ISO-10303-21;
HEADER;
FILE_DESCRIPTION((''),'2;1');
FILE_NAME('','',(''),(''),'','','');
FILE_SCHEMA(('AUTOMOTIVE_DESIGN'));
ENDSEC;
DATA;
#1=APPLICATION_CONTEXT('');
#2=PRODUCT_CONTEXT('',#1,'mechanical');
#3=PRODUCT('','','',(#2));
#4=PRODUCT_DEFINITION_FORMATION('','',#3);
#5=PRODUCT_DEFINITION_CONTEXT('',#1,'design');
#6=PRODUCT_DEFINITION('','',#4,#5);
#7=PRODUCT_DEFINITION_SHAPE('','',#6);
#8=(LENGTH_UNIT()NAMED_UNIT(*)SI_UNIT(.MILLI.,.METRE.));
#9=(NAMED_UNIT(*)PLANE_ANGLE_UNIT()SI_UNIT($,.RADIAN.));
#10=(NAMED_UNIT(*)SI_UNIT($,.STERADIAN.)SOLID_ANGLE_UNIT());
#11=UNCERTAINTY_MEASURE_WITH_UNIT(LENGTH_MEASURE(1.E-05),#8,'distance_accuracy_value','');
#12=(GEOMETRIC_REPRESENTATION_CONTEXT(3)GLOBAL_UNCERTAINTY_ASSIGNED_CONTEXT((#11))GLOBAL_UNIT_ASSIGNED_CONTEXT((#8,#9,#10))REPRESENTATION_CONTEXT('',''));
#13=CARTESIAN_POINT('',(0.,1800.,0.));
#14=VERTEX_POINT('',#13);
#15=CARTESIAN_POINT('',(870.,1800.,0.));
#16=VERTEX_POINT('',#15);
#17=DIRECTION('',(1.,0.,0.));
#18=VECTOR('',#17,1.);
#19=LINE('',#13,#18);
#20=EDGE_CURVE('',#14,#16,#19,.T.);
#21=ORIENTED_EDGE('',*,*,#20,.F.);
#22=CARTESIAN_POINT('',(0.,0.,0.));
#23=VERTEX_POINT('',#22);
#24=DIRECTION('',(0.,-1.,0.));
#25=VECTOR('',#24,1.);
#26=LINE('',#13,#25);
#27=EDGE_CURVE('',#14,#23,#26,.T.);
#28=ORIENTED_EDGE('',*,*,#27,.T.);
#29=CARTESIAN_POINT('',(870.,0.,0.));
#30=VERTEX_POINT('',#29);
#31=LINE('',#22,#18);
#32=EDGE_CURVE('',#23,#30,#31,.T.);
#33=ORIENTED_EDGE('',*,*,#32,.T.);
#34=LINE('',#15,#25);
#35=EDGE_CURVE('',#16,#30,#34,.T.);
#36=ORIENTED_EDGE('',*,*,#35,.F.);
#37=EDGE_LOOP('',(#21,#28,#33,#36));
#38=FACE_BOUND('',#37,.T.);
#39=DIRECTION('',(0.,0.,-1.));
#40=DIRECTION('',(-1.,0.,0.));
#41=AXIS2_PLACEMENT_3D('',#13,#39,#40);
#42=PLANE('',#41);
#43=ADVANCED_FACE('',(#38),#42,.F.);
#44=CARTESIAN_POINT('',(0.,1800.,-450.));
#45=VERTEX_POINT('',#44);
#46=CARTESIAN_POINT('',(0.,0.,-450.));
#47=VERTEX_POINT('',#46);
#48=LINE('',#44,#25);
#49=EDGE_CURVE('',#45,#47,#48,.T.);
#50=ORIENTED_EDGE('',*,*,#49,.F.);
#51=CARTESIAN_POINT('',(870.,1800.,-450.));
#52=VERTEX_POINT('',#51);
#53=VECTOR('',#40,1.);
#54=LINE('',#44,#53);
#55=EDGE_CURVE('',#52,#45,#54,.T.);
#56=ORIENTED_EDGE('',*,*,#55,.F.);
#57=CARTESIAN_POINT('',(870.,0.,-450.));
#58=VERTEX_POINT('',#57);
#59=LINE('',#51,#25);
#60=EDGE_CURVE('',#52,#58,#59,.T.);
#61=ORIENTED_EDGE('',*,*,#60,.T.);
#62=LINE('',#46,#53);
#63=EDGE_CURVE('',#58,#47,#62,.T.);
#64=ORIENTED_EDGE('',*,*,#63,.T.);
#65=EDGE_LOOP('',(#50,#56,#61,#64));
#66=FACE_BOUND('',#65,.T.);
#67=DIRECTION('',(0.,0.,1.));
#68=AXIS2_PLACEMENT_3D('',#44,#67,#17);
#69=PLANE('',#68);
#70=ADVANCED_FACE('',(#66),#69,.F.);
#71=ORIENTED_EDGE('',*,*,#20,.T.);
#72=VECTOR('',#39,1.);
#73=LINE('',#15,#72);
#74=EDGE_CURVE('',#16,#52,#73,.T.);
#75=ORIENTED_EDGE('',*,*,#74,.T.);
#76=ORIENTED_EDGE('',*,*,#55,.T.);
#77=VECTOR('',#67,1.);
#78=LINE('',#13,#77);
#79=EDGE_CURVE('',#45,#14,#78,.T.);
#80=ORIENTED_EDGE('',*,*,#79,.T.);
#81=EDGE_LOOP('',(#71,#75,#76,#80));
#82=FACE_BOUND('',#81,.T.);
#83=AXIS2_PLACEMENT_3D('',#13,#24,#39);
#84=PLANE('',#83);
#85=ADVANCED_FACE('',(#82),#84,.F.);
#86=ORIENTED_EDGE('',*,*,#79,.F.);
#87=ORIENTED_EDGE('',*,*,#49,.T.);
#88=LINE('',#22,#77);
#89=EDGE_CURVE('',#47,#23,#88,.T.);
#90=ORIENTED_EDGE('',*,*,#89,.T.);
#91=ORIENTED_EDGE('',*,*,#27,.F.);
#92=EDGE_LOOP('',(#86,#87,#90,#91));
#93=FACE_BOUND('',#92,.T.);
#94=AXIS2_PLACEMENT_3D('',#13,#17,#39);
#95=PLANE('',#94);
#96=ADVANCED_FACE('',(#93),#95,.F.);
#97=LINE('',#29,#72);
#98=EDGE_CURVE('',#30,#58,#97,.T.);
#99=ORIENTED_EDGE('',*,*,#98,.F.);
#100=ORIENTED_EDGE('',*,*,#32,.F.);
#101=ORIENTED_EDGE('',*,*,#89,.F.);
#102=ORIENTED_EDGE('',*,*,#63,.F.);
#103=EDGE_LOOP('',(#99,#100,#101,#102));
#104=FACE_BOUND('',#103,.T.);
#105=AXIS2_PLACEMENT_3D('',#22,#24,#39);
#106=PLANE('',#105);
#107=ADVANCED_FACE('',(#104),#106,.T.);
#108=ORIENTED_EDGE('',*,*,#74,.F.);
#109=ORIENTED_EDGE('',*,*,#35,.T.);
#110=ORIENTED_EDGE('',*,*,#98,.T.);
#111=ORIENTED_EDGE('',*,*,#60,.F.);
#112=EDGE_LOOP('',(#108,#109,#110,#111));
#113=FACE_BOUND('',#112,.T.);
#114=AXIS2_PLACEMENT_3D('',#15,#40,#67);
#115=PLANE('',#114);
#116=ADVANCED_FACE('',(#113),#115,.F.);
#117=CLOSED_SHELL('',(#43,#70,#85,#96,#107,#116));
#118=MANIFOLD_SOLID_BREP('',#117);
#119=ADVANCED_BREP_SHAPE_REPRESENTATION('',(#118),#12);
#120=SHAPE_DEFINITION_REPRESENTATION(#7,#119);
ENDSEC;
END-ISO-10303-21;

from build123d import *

# Parameters (mm, degrees)
SKETCH_2_W      = 870
SKETCH_2_H      = 450
EXTRUDE_1_DEPTH = 1800


with BuildPart() as part:
    # ｽｹｯﾁ2 → ﾎﾞｽ - 押し出し1 (new body)
    with BuildSketch(Plane(origin=(0, 0, 0), x_dir=(1, 0, 0), z_dir=(0, 1, 0))):
        with Locations((435, 225)):
            Rectangle(SKETCH_2_W, SKETCH_2_H)
    extrude(amount=EXTRUDE_1_DEPTH)


solid = part.part
